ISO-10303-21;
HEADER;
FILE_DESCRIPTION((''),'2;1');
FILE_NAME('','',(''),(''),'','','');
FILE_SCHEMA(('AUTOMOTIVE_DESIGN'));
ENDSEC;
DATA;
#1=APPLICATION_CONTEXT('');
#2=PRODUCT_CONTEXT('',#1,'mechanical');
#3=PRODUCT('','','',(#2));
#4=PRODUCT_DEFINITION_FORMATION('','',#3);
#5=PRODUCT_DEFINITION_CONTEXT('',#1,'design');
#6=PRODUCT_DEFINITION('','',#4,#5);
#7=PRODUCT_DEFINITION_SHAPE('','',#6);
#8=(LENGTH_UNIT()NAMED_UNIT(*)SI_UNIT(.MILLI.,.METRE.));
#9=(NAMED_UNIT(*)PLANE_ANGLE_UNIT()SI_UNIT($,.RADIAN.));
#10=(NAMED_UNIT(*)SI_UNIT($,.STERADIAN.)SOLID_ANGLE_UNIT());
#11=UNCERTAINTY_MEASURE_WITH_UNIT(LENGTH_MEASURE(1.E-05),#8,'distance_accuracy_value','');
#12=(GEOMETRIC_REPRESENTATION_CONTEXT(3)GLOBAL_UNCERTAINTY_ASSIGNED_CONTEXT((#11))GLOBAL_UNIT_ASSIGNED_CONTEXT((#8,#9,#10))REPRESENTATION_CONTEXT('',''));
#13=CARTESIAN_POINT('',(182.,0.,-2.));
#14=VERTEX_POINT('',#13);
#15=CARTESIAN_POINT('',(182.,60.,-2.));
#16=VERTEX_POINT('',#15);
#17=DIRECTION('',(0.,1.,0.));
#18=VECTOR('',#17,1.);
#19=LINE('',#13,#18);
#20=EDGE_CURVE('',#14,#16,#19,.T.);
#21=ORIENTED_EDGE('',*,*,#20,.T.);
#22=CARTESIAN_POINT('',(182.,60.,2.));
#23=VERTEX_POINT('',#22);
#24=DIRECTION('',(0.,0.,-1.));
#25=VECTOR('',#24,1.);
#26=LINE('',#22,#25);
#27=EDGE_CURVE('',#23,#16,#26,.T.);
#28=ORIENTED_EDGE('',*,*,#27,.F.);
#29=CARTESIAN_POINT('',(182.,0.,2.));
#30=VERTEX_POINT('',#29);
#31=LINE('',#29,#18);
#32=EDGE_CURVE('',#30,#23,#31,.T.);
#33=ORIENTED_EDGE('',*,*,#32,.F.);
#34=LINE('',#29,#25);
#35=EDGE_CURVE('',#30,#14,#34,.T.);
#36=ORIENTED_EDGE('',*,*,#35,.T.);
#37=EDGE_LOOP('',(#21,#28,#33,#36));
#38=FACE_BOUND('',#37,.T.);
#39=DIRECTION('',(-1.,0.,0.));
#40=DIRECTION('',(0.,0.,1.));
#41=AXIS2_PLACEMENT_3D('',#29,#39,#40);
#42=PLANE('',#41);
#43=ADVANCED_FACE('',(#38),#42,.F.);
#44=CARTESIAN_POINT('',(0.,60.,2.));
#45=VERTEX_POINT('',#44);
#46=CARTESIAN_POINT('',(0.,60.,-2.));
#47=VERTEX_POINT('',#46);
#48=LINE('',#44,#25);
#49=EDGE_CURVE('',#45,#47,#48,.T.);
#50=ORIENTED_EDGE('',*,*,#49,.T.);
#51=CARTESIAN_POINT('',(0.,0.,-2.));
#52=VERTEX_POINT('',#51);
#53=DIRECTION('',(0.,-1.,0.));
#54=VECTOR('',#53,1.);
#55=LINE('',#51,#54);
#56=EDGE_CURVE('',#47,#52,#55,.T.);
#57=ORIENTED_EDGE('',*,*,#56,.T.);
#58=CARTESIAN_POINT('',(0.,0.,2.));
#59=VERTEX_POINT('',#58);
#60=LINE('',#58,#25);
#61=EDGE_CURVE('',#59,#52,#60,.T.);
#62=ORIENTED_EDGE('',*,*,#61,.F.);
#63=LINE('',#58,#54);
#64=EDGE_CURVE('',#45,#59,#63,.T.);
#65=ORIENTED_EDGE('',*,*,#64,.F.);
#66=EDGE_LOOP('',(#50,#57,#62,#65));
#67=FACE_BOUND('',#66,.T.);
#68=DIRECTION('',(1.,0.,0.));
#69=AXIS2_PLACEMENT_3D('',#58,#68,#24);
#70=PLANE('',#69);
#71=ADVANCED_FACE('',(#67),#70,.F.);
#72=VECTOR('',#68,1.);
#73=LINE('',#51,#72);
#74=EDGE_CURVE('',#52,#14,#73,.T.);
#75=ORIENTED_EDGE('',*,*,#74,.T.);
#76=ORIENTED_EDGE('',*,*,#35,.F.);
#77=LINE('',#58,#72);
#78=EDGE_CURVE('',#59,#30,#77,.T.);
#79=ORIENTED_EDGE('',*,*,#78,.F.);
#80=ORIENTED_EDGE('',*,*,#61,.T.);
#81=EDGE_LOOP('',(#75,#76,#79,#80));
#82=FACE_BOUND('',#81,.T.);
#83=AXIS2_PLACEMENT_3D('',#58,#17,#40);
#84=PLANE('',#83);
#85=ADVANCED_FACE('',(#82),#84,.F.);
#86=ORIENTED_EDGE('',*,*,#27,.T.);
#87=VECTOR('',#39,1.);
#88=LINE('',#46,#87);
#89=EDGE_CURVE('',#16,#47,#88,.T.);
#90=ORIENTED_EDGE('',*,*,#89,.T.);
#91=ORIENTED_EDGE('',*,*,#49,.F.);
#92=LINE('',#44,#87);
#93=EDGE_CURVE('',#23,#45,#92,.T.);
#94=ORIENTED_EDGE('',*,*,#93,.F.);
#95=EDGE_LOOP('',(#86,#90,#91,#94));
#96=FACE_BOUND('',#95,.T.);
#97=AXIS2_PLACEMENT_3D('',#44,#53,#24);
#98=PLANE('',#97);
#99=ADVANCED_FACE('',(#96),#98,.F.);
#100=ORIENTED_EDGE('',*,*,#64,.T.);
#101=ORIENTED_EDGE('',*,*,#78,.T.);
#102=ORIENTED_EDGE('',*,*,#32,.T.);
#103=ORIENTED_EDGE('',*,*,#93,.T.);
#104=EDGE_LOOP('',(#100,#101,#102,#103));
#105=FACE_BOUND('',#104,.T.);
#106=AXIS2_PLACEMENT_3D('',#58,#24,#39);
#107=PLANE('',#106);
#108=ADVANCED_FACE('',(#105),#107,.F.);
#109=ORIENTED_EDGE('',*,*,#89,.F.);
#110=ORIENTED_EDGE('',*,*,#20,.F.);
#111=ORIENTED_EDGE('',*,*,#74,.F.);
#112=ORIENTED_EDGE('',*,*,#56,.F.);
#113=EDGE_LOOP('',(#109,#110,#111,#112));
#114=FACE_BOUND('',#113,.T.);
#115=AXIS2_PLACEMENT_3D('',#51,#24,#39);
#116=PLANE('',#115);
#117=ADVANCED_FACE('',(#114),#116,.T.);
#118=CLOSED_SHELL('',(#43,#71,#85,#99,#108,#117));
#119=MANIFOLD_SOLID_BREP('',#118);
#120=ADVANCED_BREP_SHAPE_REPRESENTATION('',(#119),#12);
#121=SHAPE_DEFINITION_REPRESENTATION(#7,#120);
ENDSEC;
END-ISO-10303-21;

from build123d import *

# Parameters (mm, degrees)
CROQUIS1_W              = 182
CROQUIS1_H              = 60
SALIENTE_EXTRUIR1_DEPTH = 2


with BuildPart() as part:
    # Croquis1 → Saliente-Extruir1 (new, symmetric)
    with BuildSketch(Plane.XY):
        with Locations((91, 30)):
            Rectangle(CROQUIS1_W, CROQUIS1_H)
    extrude(amount=SALIENTE_EXTRUIR1_DEPTH, both=True)


solid = part.part
